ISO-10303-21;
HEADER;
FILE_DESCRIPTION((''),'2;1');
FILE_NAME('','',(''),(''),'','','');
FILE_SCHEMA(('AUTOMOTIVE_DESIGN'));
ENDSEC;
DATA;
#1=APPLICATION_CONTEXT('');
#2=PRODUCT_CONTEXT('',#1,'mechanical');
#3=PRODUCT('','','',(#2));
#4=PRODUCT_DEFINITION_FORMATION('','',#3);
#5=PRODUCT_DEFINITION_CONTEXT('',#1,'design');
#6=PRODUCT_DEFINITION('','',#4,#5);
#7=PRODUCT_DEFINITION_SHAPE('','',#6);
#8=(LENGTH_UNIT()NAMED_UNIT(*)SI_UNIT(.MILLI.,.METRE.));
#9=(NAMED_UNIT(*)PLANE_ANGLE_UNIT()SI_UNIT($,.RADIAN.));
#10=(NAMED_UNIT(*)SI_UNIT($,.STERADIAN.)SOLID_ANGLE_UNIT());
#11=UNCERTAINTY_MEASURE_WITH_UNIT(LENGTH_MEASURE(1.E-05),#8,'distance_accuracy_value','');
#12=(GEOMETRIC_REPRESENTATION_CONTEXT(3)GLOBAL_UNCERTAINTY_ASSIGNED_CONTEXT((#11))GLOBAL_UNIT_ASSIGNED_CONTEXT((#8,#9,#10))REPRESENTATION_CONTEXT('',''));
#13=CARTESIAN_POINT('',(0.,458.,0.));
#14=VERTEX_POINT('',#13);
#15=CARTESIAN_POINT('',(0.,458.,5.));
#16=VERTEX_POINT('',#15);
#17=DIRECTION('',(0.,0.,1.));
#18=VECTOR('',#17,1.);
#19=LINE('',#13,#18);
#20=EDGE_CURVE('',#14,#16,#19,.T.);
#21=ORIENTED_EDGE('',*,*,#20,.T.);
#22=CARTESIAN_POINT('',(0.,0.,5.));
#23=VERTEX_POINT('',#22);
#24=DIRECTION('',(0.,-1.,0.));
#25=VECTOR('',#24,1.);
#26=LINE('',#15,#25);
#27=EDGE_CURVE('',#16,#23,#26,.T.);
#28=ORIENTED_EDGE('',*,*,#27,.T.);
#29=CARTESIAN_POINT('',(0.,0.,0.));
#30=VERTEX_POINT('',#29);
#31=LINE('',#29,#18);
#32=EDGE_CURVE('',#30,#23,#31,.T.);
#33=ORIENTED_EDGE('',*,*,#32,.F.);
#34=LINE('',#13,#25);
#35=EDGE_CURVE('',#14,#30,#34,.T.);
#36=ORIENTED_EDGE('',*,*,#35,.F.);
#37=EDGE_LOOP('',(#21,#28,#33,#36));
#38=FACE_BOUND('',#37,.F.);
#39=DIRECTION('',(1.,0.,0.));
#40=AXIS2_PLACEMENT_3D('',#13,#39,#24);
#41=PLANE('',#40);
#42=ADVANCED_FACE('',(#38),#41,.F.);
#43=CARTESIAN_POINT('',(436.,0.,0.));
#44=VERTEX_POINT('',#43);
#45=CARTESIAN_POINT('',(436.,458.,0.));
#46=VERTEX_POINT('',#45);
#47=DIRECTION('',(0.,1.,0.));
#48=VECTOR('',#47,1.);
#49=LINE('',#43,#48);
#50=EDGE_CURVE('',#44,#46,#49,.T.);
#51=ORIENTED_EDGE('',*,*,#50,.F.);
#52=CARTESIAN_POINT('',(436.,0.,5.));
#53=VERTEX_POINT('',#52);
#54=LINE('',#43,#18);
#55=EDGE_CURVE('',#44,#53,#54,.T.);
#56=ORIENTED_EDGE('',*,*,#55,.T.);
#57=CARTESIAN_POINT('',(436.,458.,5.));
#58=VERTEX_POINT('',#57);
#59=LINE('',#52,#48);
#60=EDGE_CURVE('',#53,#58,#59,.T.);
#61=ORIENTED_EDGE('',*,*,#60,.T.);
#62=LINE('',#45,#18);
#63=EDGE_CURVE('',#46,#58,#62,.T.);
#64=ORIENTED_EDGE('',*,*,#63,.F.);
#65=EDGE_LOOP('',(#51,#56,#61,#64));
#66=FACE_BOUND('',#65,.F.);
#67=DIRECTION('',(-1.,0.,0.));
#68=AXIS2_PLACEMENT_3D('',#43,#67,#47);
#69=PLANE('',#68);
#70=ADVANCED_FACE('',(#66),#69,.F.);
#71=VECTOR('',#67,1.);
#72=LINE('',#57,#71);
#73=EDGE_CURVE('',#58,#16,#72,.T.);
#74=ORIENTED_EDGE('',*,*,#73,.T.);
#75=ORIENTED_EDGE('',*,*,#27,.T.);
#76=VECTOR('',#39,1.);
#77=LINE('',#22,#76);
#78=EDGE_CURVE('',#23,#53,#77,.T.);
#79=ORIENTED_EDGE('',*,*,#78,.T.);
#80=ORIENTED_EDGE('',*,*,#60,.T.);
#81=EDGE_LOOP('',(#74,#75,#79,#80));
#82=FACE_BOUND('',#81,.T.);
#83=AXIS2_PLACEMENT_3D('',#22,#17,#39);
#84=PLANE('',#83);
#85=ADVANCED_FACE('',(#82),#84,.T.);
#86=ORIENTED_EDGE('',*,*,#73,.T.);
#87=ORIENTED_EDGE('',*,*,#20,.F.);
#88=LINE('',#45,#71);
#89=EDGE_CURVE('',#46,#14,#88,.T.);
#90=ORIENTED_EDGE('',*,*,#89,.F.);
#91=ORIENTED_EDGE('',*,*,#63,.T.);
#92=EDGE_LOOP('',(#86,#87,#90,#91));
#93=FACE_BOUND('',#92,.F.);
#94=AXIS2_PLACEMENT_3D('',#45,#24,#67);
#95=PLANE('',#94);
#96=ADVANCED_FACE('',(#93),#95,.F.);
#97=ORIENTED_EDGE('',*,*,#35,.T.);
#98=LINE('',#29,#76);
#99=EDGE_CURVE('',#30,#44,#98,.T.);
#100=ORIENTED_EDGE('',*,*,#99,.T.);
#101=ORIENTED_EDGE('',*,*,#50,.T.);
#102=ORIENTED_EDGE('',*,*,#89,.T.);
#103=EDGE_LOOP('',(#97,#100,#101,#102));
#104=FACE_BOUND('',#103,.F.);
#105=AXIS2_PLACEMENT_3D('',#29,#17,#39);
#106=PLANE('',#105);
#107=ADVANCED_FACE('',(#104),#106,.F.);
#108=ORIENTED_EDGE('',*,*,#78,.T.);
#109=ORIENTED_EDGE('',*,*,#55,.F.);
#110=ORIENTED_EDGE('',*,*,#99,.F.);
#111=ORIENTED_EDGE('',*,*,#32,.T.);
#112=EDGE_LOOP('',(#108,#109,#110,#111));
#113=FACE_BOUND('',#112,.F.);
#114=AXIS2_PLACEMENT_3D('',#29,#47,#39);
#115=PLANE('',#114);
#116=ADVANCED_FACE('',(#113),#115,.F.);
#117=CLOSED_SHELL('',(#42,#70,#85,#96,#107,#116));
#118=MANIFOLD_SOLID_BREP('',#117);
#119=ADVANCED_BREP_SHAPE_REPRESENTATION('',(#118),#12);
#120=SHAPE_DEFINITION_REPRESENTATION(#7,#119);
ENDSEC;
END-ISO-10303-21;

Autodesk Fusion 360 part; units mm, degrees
sketch "Sketch1" plane through (0, 0, 0) normal (0, 0, 1) x (1, 0, 0)
  line L0 (0, 0) -> (436, 0)
  line L1 (436, 0) -> (436, 458)
  line L2 (436, 458) -> (0, 458)
  line L3 (0, 458) -> (0, 0)
  dimension "d1" = 436
  dimension "d2" = 458
extrude "Extrude1" add sketch "Sketch1" along normal blind 5
